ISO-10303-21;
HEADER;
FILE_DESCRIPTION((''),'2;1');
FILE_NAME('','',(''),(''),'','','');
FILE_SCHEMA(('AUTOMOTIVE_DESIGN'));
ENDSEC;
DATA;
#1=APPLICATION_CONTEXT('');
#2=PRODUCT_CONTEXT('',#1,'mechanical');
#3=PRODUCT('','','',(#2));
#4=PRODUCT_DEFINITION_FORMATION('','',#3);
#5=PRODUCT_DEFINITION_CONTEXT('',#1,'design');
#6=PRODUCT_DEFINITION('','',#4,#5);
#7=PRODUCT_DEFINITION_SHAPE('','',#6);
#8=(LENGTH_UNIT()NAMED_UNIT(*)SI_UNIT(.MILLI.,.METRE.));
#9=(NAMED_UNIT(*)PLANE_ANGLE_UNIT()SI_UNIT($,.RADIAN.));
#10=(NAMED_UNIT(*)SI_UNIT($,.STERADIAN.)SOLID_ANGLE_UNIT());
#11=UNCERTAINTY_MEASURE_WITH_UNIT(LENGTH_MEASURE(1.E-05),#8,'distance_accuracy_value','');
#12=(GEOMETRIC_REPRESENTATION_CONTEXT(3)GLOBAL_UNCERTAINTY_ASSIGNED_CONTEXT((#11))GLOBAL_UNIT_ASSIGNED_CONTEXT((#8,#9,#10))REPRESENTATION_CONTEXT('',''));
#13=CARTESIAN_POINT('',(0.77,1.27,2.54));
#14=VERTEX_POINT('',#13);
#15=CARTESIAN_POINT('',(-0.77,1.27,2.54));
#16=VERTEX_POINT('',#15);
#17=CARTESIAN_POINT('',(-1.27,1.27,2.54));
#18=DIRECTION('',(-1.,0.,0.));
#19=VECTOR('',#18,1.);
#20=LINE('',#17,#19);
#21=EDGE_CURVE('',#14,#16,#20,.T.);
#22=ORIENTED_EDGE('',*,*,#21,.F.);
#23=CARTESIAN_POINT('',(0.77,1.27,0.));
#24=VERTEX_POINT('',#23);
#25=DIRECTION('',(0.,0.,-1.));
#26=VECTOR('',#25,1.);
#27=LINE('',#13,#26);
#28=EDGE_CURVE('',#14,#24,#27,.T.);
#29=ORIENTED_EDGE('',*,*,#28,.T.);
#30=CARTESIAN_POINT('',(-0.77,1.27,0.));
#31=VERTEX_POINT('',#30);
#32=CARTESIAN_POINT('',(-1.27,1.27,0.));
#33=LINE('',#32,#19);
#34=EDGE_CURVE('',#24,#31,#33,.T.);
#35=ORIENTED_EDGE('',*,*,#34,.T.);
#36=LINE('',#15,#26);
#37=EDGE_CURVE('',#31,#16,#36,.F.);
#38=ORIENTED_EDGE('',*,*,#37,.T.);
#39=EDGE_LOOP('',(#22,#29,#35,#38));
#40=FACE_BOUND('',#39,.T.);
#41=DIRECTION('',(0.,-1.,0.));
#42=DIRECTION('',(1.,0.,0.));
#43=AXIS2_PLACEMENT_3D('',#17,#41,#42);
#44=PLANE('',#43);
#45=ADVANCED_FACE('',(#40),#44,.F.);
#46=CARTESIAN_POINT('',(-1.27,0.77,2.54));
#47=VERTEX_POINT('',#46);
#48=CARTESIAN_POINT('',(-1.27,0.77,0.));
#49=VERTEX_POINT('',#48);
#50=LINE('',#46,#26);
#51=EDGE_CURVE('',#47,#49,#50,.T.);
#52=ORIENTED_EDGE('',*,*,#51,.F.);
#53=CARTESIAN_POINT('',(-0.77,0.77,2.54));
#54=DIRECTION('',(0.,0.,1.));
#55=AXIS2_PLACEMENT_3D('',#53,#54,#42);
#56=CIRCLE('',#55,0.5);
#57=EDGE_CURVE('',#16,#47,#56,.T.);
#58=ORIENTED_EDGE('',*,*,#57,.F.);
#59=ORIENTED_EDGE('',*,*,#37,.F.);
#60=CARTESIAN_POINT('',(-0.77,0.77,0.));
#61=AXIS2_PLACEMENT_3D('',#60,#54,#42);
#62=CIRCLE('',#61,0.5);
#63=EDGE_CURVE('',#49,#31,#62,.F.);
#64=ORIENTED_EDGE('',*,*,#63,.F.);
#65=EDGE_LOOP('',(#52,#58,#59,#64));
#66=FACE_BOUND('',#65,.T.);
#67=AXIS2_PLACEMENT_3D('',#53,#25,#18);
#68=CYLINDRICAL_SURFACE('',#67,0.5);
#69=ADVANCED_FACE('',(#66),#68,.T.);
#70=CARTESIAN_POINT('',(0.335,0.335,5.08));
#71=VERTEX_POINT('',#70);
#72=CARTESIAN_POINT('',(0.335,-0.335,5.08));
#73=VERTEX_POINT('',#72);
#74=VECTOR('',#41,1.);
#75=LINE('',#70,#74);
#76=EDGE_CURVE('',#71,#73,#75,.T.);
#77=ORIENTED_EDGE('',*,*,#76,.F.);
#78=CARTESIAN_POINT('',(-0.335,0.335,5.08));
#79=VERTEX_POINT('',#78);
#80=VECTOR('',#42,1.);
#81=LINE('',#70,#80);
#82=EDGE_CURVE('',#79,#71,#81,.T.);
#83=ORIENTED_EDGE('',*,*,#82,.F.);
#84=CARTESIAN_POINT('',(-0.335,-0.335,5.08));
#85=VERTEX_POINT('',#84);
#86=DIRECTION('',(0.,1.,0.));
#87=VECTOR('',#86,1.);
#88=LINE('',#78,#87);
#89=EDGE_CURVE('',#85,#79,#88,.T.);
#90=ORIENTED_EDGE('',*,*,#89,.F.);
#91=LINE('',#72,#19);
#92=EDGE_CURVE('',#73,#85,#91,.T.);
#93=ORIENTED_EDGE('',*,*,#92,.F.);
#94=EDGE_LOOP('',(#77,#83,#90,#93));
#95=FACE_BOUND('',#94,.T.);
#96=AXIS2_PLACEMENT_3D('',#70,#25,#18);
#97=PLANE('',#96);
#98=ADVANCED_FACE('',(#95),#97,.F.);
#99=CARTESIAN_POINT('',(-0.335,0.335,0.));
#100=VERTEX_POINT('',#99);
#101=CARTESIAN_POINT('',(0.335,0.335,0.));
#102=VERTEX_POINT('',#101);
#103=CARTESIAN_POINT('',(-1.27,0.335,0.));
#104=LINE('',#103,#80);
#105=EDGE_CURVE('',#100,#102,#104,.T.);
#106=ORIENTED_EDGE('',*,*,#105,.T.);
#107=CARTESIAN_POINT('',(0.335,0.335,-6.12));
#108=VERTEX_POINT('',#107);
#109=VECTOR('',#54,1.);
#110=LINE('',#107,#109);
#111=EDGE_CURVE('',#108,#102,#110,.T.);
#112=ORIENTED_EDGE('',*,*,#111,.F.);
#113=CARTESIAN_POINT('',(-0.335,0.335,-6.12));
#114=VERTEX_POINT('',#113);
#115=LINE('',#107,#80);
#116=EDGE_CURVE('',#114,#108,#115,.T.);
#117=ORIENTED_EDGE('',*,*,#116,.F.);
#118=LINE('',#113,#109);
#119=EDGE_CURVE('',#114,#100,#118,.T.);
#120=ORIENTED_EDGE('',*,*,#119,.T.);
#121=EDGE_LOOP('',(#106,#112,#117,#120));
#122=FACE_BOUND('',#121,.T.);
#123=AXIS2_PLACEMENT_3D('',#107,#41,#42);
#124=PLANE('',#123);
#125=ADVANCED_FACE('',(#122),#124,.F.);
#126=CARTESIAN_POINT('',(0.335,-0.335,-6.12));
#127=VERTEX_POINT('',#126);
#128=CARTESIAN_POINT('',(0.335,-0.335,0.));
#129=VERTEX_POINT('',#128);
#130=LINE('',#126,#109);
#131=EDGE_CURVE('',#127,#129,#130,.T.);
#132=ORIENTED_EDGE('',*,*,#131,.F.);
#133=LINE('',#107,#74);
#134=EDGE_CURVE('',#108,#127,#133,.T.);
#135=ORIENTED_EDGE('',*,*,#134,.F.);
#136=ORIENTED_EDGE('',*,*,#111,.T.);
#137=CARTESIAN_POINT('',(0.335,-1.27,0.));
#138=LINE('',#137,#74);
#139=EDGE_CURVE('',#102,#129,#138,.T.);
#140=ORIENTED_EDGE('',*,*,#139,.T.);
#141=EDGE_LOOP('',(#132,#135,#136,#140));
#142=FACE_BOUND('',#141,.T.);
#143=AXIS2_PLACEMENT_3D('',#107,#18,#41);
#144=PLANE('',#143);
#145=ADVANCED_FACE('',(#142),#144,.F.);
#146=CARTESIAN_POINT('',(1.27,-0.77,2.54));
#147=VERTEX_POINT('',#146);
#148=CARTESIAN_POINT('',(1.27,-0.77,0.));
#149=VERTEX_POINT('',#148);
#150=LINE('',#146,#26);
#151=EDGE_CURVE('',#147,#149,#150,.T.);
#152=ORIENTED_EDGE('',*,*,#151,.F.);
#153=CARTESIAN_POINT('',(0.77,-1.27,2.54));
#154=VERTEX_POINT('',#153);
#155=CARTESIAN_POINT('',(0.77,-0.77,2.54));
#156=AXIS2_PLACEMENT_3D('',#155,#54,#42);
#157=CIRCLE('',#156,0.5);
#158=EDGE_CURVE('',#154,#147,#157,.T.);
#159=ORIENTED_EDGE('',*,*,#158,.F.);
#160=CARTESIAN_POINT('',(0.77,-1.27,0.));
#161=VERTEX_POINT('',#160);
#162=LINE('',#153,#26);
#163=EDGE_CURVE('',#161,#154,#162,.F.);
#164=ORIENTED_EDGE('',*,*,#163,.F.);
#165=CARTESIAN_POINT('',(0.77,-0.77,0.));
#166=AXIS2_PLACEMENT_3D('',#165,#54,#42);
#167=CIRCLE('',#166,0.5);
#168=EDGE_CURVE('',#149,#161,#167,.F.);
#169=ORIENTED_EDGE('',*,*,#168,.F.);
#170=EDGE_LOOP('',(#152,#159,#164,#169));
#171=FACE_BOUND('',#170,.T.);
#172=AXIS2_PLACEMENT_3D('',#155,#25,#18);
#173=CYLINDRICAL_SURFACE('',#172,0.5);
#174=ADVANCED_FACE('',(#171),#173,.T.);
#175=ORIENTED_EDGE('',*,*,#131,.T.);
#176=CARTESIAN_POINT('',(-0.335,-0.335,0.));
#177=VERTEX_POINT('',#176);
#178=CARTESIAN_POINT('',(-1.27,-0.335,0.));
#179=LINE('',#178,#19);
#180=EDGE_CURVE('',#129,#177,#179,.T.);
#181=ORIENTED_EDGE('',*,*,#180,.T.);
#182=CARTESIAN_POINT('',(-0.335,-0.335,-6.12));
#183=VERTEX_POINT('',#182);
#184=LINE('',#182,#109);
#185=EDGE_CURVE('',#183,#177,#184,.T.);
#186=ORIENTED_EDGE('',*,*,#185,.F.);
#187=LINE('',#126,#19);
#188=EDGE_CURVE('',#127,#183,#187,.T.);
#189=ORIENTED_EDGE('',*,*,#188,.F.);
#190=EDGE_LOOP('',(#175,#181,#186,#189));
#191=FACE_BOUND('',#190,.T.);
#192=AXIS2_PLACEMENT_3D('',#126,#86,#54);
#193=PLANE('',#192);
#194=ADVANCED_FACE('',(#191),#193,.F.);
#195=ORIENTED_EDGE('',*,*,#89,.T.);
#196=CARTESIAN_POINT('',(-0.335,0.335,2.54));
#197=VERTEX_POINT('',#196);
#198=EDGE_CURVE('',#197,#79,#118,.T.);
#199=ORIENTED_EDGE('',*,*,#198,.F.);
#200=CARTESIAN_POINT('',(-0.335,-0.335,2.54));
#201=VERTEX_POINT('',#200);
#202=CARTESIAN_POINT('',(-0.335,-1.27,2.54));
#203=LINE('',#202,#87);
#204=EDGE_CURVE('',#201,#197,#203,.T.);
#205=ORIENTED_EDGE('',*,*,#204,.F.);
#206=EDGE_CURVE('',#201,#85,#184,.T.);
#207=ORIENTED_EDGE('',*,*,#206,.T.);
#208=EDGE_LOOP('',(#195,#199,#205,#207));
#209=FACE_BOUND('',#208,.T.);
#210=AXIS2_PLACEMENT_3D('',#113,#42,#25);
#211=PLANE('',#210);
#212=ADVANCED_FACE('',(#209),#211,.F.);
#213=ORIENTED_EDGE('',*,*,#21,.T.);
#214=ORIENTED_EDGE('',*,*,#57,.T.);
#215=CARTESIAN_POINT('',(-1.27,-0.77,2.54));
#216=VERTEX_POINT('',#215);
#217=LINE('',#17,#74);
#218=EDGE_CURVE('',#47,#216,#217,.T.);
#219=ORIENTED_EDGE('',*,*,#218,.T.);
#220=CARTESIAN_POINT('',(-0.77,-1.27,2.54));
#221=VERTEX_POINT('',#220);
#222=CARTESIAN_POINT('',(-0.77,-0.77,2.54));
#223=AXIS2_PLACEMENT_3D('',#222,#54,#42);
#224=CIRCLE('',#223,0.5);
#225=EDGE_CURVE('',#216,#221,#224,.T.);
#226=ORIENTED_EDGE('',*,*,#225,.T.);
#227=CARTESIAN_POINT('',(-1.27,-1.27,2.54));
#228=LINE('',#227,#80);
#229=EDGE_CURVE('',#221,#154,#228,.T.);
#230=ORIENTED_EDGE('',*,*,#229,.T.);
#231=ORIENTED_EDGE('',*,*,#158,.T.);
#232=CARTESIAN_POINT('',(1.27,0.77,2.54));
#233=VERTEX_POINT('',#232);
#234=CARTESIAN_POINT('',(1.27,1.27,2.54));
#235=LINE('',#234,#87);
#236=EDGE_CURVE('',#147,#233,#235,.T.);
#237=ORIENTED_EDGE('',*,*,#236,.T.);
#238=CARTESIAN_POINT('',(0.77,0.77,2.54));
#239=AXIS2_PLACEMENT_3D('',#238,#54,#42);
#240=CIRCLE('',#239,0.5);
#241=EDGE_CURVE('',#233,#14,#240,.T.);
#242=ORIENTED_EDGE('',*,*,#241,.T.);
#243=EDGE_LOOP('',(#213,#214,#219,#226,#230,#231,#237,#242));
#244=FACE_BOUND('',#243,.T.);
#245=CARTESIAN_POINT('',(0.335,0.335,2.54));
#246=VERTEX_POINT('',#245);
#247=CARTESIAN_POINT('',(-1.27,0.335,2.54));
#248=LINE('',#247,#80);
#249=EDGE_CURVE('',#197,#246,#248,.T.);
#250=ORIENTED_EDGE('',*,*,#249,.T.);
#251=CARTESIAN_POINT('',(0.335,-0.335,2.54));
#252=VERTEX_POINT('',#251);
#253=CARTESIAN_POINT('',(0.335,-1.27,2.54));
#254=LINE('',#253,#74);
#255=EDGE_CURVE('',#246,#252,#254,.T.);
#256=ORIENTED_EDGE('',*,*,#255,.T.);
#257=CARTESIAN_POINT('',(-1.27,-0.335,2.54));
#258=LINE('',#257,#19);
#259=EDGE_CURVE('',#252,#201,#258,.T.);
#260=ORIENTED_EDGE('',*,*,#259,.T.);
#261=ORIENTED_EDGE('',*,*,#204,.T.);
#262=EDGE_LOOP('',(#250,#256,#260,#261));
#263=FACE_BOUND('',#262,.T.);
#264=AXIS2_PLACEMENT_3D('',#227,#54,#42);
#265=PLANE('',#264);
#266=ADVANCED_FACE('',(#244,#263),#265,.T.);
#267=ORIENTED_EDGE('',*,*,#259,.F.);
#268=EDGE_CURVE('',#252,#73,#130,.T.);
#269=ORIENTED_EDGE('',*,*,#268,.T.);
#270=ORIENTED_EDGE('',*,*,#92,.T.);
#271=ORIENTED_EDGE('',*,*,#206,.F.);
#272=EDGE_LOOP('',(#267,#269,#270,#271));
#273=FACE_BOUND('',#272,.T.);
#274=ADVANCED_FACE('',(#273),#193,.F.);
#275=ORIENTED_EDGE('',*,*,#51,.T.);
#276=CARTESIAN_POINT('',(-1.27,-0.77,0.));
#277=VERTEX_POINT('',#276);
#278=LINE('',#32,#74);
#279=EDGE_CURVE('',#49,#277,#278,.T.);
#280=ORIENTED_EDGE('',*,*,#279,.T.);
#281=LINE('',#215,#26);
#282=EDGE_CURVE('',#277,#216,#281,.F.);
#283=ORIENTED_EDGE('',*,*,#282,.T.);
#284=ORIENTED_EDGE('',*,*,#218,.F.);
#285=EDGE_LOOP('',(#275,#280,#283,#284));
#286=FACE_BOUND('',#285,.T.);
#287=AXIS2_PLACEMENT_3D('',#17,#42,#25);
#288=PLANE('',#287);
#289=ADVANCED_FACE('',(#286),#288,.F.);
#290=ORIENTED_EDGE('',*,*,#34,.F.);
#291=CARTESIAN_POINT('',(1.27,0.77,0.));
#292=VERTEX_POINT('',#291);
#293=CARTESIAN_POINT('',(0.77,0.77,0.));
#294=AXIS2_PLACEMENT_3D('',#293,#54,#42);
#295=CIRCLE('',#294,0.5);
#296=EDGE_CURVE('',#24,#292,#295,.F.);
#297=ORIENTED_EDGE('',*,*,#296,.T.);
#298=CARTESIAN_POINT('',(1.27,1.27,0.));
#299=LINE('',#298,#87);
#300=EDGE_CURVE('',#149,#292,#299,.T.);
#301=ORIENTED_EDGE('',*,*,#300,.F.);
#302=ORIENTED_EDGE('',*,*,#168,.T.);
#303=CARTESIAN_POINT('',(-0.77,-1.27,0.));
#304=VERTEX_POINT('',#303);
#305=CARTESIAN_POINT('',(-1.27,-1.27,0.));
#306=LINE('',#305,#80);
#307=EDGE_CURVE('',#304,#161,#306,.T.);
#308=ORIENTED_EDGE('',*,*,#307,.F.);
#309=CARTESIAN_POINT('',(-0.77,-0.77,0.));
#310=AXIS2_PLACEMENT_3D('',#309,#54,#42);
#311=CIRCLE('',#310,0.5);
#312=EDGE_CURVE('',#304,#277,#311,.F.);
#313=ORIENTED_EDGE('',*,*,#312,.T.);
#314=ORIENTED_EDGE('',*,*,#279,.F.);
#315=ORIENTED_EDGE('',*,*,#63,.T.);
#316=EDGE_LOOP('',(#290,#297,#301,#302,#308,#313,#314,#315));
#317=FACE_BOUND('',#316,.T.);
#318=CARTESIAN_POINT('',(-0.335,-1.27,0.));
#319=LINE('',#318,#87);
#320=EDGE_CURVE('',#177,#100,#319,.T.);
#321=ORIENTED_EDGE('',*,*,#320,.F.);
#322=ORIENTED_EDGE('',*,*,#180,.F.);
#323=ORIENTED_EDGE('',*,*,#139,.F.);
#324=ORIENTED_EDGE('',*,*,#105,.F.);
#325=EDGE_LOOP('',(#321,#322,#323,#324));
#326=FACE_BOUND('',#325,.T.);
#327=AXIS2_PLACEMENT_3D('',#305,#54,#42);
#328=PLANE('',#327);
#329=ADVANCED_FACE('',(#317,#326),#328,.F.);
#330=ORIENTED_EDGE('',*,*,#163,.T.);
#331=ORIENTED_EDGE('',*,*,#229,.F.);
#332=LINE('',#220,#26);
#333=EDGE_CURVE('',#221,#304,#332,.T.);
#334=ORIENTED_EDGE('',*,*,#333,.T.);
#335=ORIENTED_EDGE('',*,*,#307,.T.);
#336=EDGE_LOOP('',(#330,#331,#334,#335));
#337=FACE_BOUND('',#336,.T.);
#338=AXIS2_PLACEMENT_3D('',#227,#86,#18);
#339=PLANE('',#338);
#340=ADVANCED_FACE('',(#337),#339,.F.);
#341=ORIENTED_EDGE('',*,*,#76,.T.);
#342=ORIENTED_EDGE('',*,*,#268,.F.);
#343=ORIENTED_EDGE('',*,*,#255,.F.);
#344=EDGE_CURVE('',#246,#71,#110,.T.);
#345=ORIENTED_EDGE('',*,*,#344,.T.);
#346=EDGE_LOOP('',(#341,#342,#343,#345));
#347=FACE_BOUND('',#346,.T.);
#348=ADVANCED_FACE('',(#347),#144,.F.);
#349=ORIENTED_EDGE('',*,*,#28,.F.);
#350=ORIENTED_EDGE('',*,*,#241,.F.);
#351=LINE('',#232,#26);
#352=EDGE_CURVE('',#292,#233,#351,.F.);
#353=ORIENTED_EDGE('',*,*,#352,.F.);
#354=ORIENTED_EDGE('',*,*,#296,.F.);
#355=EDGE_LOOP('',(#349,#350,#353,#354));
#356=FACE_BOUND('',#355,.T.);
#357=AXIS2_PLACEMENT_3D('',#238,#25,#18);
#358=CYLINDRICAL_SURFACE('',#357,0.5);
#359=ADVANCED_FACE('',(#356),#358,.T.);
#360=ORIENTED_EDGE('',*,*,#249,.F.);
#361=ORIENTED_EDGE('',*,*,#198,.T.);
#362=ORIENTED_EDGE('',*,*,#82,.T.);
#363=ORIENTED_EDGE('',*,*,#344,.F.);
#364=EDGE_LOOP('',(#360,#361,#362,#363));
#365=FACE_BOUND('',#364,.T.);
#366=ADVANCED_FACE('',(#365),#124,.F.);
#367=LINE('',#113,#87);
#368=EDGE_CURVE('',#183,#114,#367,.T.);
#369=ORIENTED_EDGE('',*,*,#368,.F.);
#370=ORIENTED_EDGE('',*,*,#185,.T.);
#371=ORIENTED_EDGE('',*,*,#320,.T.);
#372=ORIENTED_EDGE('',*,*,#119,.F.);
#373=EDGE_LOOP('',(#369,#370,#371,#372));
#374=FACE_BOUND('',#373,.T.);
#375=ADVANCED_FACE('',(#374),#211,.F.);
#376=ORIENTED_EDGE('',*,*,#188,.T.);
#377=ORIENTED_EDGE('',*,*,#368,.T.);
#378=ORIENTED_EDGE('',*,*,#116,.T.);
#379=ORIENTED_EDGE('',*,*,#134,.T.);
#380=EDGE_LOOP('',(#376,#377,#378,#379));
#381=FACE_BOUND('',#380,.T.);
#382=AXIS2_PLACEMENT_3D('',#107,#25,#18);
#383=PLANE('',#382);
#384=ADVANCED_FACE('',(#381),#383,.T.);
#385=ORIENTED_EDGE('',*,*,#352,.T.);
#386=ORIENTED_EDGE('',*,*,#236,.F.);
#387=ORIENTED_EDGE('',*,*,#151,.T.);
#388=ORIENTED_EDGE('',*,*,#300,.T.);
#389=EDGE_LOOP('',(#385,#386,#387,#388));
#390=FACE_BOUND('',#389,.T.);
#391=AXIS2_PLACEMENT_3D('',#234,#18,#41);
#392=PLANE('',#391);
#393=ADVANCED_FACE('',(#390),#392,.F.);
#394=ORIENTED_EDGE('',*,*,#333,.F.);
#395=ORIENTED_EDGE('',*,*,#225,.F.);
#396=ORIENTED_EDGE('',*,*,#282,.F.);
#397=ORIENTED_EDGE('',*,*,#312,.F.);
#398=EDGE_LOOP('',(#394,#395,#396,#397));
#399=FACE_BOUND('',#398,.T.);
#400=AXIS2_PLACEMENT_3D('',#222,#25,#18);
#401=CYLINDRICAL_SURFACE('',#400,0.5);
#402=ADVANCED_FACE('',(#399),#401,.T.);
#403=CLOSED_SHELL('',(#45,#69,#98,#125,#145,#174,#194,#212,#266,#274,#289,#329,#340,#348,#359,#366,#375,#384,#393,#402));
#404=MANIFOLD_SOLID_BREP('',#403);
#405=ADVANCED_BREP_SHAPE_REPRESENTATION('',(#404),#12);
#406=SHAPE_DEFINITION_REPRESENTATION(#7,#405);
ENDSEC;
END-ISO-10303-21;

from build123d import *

# Parameters (mm, degrees)
SKETCH_1_W      = 2.54
SKETCH_1_H      = 2.54
EXTRUDE_1_DEPTH = 2.54
SKETCH_2_W      = 0.67
SKETCH_2_H      = 0.67
FILLET_1_R      = 0.5


with BuildPart() as part:
    # 草图1 → 拉伸1 (new body)
    with BuildSketch(Plane.XY):
        Rectangle(SKETCH_1_W, SKETCH_1_H)
    extrude(amount=EXTRUDE_1_DEPTH)

    # 扫描1: sweep along a path in 草图3
    with BuildLine(Plane(origin=(0, 0, 0), x_dir=(0, 0, -1), z_dir=(1, 0, 0))) as sweep_1_path:
        Line((6.12, -0.01), (-5.08, -0.01))
    # 草图2 → 扫描1 (sweep)
    with BuildSketch(Plane(origin=(0, 0, 5.08), x_dir=(-1, 0, 0), z_dir=(0, 0, -1))):
        Rectangle(SKETCH_2_W, SKETCH_2_H)
    sweep(path=sweep_1_path.line)

    # 圆角1
    fillet_1_edges = [part.edges().sort_by_distance(p)[0] for p in [
        (-1.27, 1.27, 1.27),
        (1.27, 1.27, 1.27),
        (1.27, -1.27, 1.27),
        (-1.27, -1.27, 1.27),
    ]]
    fillet(fillet_1_edges, radius=FILLET_1_R)


solid = part.part
